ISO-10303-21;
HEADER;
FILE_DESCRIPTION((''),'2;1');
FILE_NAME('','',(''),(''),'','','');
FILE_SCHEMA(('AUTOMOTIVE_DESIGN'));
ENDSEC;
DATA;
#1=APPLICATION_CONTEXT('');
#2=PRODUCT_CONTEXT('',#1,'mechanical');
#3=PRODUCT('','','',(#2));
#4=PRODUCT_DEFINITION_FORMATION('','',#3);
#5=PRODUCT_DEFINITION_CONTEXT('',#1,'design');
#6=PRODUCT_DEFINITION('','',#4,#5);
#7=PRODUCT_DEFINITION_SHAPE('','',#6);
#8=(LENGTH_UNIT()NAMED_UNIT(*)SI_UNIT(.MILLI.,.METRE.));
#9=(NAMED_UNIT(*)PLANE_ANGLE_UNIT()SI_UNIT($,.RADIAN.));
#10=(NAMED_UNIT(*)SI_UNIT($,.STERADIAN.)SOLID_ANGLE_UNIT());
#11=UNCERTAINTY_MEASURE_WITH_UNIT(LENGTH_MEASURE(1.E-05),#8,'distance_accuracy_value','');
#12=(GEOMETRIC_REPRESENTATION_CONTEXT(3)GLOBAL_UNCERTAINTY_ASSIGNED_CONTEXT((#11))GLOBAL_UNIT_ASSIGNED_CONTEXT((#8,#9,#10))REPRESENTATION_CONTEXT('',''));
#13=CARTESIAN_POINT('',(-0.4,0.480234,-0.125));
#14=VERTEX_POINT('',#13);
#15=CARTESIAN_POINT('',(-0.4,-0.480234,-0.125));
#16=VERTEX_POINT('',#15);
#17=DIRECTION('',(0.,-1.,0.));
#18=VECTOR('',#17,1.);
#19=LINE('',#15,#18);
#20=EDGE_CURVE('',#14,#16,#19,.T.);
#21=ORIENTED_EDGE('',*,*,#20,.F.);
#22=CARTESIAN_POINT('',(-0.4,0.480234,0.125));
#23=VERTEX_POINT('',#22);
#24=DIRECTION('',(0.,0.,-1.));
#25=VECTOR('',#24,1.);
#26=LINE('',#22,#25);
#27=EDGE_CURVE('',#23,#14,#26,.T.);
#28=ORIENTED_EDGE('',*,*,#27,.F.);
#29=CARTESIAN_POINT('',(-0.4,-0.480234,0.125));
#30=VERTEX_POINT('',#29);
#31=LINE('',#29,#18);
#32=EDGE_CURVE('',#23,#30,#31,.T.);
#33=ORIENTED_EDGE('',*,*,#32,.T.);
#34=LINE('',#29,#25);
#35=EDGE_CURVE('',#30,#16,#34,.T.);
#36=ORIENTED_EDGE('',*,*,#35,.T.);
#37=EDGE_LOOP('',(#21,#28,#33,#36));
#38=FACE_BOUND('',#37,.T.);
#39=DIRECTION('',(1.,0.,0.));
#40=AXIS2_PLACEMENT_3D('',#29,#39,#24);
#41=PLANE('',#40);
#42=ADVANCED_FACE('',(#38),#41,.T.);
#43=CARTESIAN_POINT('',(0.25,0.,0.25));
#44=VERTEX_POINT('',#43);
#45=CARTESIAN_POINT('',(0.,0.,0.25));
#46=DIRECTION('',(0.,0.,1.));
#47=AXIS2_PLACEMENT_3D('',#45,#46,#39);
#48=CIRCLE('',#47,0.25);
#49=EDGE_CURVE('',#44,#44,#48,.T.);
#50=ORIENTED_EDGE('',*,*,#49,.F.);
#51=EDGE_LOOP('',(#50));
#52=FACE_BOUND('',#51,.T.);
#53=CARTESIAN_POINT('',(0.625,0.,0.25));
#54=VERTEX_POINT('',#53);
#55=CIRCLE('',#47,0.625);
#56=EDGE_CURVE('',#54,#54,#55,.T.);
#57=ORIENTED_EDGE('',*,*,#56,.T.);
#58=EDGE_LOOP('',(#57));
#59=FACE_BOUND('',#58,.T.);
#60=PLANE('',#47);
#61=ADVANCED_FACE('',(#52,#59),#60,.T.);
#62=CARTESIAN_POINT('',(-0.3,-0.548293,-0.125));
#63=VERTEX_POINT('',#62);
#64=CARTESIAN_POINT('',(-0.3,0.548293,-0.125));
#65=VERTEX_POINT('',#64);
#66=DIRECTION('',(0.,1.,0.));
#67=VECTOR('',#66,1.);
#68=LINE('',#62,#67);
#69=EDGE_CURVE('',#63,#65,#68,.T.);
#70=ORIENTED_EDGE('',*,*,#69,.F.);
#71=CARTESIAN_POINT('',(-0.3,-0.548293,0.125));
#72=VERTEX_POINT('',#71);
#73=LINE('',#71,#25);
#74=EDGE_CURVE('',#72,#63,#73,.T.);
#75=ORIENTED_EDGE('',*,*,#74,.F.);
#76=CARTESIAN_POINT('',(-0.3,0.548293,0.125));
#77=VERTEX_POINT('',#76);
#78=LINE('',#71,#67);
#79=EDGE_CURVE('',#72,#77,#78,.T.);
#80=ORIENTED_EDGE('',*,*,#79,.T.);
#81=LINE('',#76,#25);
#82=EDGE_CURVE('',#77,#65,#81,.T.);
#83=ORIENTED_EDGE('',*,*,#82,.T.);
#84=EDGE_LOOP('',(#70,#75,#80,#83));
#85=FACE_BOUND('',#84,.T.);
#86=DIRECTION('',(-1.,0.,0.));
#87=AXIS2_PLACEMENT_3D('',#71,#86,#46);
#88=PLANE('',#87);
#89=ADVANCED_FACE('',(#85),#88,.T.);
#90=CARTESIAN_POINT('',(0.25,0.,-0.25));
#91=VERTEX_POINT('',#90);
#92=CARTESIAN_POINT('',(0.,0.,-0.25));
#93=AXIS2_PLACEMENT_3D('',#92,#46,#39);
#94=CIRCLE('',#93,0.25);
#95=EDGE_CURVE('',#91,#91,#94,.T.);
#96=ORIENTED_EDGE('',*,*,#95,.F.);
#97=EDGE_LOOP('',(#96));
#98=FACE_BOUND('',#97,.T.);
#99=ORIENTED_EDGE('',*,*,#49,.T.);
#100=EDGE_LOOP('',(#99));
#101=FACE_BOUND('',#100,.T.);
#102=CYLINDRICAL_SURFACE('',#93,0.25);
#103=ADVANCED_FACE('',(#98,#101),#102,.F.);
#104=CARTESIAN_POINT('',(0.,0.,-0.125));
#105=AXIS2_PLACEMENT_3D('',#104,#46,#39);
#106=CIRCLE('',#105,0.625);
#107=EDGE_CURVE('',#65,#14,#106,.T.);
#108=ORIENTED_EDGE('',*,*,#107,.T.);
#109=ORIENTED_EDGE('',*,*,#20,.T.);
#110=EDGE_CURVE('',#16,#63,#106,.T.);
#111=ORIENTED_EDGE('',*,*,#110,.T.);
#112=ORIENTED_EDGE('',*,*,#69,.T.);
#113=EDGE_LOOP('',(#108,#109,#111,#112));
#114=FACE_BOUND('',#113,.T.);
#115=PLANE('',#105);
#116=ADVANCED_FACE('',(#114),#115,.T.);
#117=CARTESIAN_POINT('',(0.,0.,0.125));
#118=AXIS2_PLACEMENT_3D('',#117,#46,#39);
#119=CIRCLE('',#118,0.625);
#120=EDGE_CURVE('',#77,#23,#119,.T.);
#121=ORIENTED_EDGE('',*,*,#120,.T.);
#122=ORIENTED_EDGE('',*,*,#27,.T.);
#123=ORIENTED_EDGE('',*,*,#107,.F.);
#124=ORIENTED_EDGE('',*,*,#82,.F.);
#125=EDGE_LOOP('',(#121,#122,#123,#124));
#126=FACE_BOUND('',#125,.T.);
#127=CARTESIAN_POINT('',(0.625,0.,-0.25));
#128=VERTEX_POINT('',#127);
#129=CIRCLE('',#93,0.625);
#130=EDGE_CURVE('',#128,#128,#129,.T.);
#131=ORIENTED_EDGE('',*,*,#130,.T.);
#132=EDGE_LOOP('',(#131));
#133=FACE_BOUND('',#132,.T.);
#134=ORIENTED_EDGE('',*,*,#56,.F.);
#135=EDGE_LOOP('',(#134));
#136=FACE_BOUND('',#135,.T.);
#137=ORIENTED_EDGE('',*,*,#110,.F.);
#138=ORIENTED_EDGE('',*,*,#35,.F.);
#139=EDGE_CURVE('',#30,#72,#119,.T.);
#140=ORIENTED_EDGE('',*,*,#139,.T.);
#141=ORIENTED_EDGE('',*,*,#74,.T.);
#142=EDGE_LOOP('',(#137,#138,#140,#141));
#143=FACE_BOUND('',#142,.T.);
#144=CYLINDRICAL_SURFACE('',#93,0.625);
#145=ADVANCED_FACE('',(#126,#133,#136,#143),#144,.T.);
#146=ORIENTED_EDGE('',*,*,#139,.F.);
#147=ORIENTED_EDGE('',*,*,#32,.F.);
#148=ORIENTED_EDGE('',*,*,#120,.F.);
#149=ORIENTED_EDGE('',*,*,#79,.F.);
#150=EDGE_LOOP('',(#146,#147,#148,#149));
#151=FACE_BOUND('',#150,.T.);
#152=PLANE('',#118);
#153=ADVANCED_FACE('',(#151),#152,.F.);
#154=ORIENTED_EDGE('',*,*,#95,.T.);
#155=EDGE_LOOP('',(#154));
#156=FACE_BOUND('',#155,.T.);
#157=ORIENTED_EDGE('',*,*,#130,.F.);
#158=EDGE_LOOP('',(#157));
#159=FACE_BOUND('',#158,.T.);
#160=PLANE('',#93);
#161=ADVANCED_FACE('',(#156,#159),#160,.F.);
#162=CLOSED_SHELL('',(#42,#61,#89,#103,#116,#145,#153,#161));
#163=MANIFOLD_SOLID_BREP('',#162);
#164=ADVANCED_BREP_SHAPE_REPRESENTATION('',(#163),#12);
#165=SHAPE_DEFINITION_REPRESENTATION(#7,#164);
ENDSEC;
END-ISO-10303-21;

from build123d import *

# Parameters (mm, degrees)
SALIENTE_EXTRUIR1_DEPTH      = 0.25
SALIENTE_EXTRUIR1_DEPTH_BACK = 0.25
CROQUIS1_R                   = 0.625
CROQUIS1_R_2                 = 0.25
CORTAR_EXTRUIR1_DEPTH        = 0.125
CORTAR_EXTRUIR1_DEPTH_BACK   = 0.125


with BuildPart() as part:
    # Croquis1 → Saliente-Extruir1 (new, two sides: drawn at the far end of the back side and taken through both)
    with BuildSketch(Plane.XY.offset(-SALIENTE_EXTRUIR1_DEPTH_BACK)):
        Circle(CROQUIS1_R)
        Circle(CROQUIS1_R_2, mode=Mode.SUBTRACT)
    extrude(amount=SALIENTE_EXTRUIR1_DEPTH + SALIENTE_EXTRUIR1_DEPTH_BACK)

    # Croquis2 → Cortar-Extruir1 (cut, two sides: drawn at the far end of the back side and taken through both)
    with BuildSketch(Plane.XY.offset(-CORTAR_EXTRUIR1_DEPTH_BACK)):
        with BuildLine():
            Line((-0.3, -0.548292805), (-0.3, 0.548292805))
            ThreePointArc((-0.3, 0.548292805), (-0.35165038, 0.516688504), (-0.4, 0.480234318))
            Line((-0.4, 0.480234318), (-0.4, -0.480234318))
            ThreePointArc((-0.4, -0.480234318), (-0.35165038, -0.516688504), (-0.3, -0.548292805))
        make_face()
    extrude(amount=CORTAR_EXTRUIR1_DEPTH + CORTAR_EXTRUIR1_DEPTH_BACK, mode=Mode.SUBTRACT)


solid = part.part
